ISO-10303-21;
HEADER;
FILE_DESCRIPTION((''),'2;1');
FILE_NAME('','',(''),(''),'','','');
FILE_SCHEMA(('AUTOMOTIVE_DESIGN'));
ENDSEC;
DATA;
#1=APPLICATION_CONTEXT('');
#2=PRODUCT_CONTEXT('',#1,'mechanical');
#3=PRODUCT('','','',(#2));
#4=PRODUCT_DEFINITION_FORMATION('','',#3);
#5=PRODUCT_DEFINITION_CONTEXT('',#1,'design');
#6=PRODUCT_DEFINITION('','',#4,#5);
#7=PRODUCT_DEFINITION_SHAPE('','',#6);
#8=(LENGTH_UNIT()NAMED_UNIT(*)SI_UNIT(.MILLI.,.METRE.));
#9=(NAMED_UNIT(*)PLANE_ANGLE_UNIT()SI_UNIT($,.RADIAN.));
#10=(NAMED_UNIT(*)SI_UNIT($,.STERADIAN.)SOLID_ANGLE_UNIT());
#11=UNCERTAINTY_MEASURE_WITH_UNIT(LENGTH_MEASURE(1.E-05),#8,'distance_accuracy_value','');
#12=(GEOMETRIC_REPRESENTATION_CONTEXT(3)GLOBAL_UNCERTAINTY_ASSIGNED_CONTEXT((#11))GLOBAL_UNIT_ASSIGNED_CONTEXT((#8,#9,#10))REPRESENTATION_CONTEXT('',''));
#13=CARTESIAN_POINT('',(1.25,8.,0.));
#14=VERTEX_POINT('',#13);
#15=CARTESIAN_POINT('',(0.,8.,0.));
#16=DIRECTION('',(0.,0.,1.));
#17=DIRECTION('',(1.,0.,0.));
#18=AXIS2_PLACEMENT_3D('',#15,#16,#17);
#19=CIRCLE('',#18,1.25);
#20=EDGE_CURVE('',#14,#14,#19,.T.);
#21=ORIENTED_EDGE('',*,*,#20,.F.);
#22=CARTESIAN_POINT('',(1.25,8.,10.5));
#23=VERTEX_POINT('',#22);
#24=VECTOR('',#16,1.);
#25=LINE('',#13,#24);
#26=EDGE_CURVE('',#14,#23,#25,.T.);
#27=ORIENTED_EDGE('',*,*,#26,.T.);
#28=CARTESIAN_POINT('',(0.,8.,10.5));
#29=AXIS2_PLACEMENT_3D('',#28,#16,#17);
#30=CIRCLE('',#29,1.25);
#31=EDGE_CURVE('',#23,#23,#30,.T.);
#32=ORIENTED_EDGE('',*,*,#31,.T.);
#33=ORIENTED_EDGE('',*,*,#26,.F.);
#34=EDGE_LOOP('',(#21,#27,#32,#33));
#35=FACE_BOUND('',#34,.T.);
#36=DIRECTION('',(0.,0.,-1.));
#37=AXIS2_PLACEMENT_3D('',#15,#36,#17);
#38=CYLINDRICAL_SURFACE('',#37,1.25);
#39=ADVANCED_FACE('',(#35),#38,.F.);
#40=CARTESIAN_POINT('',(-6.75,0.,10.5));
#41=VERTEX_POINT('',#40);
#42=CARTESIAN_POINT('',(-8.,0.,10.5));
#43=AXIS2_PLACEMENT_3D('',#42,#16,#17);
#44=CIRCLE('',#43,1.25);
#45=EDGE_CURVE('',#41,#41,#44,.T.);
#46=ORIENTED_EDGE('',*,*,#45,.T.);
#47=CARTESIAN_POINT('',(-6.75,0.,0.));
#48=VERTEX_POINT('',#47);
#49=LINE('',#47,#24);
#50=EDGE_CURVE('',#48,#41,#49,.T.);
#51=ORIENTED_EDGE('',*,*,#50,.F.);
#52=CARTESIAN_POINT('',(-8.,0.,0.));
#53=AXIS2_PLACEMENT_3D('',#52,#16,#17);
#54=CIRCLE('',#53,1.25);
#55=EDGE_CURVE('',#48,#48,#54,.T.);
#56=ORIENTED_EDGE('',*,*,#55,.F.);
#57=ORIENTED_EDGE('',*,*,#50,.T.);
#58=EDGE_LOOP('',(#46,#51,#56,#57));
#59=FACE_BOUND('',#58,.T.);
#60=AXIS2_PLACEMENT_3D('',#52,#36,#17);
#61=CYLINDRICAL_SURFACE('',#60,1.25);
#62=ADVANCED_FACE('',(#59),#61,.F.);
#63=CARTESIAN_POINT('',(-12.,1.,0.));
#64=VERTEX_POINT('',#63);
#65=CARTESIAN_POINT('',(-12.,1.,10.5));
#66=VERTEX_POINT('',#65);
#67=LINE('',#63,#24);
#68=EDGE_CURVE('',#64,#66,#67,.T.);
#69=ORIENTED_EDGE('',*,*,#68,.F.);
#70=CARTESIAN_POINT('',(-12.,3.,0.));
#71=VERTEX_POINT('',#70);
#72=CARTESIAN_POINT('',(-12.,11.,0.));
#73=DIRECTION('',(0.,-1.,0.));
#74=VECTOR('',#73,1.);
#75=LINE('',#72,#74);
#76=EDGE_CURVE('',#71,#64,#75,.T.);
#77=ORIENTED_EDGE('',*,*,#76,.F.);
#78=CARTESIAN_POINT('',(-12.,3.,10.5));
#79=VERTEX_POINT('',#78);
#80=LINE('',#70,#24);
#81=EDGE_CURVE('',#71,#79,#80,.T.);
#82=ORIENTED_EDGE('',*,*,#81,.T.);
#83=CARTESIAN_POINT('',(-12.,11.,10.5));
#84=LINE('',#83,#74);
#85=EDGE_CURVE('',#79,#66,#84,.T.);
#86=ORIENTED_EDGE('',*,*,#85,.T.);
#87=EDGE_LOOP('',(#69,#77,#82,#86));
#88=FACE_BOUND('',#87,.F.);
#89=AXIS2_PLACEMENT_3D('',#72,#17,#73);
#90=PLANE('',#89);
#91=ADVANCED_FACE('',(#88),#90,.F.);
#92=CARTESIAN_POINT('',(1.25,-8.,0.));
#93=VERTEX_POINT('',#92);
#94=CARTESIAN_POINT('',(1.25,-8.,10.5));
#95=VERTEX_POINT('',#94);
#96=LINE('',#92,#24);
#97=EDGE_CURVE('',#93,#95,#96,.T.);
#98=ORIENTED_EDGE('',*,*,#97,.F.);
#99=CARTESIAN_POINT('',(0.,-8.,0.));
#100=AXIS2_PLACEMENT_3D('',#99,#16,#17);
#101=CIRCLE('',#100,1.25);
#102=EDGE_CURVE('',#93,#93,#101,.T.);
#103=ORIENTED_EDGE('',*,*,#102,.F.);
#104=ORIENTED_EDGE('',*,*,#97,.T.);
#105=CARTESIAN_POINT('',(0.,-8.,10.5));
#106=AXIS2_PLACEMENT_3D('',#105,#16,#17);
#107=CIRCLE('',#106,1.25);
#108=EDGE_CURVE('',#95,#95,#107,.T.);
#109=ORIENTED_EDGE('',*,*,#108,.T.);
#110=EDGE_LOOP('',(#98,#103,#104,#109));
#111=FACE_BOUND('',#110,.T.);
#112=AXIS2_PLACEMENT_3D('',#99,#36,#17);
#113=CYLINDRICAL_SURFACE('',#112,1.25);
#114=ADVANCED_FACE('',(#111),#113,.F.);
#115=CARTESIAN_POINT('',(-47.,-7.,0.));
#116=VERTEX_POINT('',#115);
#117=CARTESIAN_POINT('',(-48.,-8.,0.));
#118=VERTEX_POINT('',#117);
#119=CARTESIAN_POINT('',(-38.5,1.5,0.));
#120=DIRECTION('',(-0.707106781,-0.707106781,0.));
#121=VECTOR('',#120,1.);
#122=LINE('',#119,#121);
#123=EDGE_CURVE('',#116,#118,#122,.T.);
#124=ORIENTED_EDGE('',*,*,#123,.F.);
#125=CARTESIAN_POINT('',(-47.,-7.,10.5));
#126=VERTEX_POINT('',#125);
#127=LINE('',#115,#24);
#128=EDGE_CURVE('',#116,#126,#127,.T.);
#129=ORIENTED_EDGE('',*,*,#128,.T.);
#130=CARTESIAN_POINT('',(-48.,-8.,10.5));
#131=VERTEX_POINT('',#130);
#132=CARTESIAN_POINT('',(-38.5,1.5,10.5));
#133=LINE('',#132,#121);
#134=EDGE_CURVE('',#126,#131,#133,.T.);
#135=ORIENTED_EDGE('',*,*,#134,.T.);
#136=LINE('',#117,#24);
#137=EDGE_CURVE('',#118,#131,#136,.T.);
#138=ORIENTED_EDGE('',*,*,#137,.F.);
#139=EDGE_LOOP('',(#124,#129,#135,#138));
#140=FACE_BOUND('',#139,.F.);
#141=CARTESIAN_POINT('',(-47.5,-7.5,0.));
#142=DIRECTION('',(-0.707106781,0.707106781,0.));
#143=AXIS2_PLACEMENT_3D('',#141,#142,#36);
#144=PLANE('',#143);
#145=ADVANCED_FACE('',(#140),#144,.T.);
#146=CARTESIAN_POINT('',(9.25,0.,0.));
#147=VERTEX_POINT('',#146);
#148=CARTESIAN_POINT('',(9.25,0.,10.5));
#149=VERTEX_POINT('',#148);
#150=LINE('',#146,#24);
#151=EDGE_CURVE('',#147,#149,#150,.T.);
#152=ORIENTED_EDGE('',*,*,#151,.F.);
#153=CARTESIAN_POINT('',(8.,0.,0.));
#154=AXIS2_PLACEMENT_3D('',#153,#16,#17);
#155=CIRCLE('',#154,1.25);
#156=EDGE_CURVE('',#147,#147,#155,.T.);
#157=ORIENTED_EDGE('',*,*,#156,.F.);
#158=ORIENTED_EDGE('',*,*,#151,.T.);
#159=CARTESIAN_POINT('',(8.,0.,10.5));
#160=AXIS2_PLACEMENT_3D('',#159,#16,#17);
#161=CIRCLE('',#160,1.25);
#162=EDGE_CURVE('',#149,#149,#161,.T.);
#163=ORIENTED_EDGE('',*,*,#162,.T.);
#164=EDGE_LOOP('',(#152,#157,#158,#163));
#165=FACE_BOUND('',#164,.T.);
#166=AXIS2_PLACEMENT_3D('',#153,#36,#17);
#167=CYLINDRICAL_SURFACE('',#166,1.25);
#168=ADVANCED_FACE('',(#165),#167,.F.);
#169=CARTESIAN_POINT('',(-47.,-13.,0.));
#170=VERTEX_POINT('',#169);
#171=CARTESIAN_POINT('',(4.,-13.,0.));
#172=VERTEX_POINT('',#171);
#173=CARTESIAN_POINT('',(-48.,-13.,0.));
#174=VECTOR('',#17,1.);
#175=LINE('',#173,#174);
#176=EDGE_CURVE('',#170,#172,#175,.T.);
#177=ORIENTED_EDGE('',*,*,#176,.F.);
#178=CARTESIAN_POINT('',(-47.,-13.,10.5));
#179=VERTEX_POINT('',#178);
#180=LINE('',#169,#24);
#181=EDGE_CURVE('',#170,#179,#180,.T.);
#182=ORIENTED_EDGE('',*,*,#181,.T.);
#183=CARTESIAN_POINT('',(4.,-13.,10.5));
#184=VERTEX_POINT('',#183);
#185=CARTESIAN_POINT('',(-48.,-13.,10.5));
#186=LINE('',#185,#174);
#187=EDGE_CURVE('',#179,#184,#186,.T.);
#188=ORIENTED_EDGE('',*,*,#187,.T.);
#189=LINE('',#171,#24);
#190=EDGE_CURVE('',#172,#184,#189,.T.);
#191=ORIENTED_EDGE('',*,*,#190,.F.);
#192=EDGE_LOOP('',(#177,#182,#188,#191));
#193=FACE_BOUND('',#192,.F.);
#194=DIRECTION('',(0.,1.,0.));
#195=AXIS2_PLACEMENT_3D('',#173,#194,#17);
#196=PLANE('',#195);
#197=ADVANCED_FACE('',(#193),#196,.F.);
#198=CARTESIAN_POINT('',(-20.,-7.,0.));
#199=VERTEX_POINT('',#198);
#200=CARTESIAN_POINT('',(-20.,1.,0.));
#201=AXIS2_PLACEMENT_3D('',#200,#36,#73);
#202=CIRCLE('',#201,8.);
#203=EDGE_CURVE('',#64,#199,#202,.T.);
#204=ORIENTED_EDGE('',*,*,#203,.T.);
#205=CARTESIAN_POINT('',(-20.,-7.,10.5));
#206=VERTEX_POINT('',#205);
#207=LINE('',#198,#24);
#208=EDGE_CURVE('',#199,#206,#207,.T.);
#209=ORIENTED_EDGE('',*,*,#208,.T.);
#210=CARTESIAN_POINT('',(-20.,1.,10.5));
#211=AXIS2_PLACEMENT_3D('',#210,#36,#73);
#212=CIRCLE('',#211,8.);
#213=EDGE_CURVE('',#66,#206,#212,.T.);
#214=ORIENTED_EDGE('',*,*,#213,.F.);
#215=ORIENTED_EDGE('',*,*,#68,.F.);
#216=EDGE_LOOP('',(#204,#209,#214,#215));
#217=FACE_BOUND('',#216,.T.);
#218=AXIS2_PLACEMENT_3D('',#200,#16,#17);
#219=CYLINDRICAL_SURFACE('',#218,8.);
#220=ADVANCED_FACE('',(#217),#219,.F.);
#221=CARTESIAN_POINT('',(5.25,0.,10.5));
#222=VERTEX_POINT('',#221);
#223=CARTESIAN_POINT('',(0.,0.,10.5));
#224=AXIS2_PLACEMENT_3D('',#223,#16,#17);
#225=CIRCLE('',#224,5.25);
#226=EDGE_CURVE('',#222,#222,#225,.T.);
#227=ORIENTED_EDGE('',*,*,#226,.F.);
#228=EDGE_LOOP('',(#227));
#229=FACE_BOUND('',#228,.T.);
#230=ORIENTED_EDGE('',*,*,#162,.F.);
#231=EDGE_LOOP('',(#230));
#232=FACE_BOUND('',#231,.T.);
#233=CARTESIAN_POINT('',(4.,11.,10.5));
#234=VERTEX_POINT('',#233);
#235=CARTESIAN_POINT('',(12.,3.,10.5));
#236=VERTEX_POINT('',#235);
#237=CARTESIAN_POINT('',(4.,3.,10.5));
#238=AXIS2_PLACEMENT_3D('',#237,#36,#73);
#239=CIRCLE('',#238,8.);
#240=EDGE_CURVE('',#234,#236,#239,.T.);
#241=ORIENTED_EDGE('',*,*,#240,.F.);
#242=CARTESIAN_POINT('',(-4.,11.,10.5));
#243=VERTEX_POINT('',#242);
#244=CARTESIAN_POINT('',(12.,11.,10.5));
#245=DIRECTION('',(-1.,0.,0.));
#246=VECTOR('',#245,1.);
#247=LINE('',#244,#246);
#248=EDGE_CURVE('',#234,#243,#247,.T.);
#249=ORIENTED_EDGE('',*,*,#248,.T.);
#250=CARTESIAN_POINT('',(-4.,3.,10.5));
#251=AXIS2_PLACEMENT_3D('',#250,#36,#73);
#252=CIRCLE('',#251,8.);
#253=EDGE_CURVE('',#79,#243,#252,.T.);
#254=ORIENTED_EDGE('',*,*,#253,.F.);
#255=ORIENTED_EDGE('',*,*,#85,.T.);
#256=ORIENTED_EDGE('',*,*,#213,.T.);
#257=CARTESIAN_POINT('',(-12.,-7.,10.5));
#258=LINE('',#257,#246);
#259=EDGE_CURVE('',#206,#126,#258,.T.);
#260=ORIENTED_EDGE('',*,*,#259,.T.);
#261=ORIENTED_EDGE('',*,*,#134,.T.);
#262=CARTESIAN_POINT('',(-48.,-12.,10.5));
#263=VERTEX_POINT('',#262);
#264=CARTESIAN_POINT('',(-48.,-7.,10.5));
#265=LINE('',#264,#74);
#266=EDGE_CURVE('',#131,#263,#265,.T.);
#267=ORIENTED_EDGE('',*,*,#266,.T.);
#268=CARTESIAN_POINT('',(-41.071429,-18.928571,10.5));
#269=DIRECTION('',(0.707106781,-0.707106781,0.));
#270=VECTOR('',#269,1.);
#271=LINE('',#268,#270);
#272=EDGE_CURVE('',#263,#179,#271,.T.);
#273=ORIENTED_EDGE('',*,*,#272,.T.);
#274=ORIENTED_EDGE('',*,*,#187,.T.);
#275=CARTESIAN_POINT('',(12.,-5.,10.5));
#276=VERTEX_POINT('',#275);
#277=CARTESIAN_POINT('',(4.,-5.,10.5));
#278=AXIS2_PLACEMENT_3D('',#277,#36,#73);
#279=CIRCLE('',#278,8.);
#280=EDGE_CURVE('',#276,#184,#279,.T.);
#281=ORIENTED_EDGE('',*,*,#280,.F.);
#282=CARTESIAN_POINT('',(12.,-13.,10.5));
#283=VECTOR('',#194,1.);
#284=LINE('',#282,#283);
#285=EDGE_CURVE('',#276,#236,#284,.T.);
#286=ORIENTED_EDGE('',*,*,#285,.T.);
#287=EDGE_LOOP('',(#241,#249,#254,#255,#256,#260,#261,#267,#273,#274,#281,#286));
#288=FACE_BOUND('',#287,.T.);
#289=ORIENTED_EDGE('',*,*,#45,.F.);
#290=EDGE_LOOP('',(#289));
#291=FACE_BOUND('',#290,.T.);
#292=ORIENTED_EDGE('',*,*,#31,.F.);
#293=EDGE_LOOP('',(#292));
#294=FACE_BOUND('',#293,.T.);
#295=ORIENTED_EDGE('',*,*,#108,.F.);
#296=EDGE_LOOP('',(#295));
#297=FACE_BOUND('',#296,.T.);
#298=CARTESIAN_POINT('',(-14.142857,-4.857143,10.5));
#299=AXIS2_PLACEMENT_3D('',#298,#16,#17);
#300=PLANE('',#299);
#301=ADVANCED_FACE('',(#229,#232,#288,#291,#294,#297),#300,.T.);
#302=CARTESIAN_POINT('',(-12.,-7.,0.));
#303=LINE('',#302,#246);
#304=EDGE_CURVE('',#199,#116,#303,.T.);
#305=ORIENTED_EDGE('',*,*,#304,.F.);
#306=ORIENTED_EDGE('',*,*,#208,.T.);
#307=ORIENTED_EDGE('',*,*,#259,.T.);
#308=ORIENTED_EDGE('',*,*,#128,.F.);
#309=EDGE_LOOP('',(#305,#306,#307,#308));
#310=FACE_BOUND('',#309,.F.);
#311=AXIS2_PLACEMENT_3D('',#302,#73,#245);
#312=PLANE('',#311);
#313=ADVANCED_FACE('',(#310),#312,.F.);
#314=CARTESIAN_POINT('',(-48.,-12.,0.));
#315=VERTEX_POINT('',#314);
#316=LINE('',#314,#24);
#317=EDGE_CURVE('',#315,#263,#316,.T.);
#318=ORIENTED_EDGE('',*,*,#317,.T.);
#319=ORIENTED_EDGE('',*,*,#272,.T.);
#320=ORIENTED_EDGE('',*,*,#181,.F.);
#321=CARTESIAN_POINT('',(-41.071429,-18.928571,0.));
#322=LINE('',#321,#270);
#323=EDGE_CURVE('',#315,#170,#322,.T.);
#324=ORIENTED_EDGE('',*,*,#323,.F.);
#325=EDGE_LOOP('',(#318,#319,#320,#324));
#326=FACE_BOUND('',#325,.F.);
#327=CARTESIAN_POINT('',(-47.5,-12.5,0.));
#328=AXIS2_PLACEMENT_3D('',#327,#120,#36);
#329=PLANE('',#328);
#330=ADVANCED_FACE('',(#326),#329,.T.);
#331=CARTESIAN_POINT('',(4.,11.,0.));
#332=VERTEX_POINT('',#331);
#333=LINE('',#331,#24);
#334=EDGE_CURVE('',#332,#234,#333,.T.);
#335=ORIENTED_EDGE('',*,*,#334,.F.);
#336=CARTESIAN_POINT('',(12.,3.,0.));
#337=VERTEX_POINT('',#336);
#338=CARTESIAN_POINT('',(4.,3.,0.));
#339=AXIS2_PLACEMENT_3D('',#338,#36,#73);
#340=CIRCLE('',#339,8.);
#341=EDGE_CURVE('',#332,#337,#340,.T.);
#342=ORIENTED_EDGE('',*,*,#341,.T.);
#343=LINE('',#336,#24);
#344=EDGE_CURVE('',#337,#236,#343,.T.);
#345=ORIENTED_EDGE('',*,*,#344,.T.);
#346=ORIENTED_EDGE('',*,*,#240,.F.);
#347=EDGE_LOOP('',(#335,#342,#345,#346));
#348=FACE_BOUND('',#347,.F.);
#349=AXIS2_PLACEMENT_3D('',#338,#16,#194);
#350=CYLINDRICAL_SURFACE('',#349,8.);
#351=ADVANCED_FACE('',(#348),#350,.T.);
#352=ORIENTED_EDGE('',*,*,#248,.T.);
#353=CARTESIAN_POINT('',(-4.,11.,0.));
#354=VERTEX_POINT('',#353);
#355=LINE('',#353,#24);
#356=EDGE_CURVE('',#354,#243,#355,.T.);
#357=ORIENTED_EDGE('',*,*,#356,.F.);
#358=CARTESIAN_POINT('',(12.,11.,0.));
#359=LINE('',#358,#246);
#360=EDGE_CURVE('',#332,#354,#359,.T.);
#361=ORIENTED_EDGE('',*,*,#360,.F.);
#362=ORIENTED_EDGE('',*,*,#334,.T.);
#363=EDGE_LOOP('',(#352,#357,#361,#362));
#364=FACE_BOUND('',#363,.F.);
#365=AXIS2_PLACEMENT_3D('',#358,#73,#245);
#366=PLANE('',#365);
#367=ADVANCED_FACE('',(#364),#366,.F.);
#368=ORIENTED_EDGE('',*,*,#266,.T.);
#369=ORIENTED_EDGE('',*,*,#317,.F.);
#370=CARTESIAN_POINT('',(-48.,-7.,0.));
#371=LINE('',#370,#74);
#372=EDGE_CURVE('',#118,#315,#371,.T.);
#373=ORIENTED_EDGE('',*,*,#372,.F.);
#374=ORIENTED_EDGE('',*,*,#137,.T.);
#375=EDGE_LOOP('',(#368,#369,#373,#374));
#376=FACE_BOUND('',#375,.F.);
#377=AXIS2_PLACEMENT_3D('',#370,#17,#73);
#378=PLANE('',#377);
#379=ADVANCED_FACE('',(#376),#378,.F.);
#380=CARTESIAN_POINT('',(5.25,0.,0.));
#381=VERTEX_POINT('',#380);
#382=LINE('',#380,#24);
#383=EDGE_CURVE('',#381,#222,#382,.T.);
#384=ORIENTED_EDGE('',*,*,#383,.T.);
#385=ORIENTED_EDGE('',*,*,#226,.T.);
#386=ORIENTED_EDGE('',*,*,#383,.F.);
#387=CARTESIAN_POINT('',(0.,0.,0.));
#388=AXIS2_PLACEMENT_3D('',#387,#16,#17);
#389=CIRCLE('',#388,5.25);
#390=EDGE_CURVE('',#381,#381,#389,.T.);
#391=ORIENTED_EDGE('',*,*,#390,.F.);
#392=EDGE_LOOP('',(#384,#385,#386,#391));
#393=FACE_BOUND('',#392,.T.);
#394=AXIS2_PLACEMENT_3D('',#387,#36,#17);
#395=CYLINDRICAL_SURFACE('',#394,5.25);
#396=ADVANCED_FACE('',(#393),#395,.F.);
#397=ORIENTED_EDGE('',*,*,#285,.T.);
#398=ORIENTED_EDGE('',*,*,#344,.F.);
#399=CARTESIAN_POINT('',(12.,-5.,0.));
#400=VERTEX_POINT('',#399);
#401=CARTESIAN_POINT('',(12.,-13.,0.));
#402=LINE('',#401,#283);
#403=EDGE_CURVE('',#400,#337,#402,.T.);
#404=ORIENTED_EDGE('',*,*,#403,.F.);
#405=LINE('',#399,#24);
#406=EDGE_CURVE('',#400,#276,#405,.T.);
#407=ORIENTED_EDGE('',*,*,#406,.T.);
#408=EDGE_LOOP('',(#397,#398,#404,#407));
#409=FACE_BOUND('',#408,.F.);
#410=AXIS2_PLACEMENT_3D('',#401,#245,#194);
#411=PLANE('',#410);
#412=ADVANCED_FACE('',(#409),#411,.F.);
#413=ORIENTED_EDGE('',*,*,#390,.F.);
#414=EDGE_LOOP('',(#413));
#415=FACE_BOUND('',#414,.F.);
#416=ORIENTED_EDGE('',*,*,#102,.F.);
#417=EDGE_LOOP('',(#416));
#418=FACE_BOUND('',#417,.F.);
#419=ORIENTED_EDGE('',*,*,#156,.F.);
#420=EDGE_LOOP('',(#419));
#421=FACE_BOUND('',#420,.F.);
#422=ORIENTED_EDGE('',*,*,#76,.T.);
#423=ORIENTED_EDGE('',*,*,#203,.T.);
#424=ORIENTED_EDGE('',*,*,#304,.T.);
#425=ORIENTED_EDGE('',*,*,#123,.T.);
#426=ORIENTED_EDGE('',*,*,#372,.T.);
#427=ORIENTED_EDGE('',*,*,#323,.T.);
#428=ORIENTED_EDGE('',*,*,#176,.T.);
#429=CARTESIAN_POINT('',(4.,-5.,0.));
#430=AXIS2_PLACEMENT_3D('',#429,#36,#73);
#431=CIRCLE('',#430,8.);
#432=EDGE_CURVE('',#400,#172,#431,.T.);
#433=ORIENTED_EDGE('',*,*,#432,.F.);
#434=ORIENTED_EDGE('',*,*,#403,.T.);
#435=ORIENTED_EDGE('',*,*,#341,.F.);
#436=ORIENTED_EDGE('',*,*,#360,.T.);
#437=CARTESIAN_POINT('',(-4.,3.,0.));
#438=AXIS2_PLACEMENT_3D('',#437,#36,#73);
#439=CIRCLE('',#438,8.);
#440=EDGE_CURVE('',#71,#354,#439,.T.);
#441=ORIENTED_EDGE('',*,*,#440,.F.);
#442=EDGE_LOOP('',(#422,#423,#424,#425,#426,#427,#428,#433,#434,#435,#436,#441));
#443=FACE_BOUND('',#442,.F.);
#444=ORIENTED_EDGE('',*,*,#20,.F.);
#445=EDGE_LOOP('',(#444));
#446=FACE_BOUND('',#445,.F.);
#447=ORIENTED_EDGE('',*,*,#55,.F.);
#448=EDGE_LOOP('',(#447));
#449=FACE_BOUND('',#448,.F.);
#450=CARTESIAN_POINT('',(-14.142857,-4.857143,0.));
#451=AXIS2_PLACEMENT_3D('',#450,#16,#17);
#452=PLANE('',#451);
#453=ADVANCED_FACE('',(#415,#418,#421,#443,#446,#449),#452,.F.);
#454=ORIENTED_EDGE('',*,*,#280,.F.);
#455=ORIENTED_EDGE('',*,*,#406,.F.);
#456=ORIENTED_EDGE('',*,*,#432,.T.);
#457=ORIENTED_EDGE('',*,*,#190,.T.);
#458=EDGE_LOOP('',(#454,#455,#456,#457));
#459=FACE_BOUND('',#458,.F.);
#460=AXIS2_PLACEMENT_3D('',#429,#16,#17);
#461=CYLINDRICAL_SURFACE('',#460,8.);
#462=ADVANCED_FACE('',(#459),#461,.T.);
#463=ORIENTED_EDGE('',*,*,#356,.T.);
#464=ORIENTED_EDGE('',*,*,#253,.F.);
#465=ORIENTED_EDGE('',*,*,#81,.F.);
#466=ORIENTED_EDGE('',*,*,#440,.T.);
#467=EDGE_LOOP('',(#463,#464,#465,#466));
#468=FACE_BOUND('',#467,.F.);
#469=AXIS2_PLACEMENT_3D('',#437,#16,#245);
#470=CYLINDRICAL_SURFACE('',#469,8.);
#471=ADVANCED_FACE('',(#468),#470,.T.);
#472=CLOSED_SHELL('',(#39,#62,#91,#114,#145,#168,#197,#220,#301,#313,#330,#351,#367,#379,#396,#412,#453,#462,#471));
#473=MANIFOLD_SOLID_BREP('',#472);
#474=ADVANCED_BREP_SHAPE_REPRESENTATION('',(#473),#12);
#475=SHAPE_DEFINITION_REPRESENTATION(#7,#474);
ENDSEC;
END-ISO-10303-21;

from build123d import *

# Parameters (mm, degrees)
F0_R     = 1.25
F0_R_2   = 5.25
F1_DEPTH = 10.5
F2_R     = 8
F3_SIZE  = 1


with BuildPart() as f1:
    # F0 (on Top) → F1 (new body)
    with BuildSketch(Plane.XY):
        Polygon((-12, 11), (-12, -7), (-48, -7), (-48, -13), (12, -13), (12, 11), align=None)
        with Locations((0, -8)):
            Circle(F0_R, mode=Mode.SUBTRACT)
        with Locations((-8, 0)):
            Circle(F0_R, mode=Mode.SUBTRACT)
        Circle(F0_R_2, mode=Mode.SUBTRACT)
        with Locations((8, 0)):
            Circle(F0_R, mode=Mode.SUBTRACT)
        with Locations((0, 8)):
            Circle(F0_R, mode=Mode.SUBTRACT)
    extrude(amount=F1_DEPTH)

    # F2
    f2_edges = [f1.edges().sort_by_distance(p)[0] for p in [
        (12, -13, 5.25),
        (12, 11, 5.25),
        (-12, 11, 5.25),
        (-12, -7, 5.25),
    ]]
    fillet(f2_edges, radius=F2_R)

    # F3
    f3_edges = [f1.edges().sort_by_distance(p)[0] for p in [
        (-48, -13, 5.25),
        (-48, -7, 5.25),
    ]]
    chamfer(f3_edges, length=F3_SIZE)


solid = f1.part
